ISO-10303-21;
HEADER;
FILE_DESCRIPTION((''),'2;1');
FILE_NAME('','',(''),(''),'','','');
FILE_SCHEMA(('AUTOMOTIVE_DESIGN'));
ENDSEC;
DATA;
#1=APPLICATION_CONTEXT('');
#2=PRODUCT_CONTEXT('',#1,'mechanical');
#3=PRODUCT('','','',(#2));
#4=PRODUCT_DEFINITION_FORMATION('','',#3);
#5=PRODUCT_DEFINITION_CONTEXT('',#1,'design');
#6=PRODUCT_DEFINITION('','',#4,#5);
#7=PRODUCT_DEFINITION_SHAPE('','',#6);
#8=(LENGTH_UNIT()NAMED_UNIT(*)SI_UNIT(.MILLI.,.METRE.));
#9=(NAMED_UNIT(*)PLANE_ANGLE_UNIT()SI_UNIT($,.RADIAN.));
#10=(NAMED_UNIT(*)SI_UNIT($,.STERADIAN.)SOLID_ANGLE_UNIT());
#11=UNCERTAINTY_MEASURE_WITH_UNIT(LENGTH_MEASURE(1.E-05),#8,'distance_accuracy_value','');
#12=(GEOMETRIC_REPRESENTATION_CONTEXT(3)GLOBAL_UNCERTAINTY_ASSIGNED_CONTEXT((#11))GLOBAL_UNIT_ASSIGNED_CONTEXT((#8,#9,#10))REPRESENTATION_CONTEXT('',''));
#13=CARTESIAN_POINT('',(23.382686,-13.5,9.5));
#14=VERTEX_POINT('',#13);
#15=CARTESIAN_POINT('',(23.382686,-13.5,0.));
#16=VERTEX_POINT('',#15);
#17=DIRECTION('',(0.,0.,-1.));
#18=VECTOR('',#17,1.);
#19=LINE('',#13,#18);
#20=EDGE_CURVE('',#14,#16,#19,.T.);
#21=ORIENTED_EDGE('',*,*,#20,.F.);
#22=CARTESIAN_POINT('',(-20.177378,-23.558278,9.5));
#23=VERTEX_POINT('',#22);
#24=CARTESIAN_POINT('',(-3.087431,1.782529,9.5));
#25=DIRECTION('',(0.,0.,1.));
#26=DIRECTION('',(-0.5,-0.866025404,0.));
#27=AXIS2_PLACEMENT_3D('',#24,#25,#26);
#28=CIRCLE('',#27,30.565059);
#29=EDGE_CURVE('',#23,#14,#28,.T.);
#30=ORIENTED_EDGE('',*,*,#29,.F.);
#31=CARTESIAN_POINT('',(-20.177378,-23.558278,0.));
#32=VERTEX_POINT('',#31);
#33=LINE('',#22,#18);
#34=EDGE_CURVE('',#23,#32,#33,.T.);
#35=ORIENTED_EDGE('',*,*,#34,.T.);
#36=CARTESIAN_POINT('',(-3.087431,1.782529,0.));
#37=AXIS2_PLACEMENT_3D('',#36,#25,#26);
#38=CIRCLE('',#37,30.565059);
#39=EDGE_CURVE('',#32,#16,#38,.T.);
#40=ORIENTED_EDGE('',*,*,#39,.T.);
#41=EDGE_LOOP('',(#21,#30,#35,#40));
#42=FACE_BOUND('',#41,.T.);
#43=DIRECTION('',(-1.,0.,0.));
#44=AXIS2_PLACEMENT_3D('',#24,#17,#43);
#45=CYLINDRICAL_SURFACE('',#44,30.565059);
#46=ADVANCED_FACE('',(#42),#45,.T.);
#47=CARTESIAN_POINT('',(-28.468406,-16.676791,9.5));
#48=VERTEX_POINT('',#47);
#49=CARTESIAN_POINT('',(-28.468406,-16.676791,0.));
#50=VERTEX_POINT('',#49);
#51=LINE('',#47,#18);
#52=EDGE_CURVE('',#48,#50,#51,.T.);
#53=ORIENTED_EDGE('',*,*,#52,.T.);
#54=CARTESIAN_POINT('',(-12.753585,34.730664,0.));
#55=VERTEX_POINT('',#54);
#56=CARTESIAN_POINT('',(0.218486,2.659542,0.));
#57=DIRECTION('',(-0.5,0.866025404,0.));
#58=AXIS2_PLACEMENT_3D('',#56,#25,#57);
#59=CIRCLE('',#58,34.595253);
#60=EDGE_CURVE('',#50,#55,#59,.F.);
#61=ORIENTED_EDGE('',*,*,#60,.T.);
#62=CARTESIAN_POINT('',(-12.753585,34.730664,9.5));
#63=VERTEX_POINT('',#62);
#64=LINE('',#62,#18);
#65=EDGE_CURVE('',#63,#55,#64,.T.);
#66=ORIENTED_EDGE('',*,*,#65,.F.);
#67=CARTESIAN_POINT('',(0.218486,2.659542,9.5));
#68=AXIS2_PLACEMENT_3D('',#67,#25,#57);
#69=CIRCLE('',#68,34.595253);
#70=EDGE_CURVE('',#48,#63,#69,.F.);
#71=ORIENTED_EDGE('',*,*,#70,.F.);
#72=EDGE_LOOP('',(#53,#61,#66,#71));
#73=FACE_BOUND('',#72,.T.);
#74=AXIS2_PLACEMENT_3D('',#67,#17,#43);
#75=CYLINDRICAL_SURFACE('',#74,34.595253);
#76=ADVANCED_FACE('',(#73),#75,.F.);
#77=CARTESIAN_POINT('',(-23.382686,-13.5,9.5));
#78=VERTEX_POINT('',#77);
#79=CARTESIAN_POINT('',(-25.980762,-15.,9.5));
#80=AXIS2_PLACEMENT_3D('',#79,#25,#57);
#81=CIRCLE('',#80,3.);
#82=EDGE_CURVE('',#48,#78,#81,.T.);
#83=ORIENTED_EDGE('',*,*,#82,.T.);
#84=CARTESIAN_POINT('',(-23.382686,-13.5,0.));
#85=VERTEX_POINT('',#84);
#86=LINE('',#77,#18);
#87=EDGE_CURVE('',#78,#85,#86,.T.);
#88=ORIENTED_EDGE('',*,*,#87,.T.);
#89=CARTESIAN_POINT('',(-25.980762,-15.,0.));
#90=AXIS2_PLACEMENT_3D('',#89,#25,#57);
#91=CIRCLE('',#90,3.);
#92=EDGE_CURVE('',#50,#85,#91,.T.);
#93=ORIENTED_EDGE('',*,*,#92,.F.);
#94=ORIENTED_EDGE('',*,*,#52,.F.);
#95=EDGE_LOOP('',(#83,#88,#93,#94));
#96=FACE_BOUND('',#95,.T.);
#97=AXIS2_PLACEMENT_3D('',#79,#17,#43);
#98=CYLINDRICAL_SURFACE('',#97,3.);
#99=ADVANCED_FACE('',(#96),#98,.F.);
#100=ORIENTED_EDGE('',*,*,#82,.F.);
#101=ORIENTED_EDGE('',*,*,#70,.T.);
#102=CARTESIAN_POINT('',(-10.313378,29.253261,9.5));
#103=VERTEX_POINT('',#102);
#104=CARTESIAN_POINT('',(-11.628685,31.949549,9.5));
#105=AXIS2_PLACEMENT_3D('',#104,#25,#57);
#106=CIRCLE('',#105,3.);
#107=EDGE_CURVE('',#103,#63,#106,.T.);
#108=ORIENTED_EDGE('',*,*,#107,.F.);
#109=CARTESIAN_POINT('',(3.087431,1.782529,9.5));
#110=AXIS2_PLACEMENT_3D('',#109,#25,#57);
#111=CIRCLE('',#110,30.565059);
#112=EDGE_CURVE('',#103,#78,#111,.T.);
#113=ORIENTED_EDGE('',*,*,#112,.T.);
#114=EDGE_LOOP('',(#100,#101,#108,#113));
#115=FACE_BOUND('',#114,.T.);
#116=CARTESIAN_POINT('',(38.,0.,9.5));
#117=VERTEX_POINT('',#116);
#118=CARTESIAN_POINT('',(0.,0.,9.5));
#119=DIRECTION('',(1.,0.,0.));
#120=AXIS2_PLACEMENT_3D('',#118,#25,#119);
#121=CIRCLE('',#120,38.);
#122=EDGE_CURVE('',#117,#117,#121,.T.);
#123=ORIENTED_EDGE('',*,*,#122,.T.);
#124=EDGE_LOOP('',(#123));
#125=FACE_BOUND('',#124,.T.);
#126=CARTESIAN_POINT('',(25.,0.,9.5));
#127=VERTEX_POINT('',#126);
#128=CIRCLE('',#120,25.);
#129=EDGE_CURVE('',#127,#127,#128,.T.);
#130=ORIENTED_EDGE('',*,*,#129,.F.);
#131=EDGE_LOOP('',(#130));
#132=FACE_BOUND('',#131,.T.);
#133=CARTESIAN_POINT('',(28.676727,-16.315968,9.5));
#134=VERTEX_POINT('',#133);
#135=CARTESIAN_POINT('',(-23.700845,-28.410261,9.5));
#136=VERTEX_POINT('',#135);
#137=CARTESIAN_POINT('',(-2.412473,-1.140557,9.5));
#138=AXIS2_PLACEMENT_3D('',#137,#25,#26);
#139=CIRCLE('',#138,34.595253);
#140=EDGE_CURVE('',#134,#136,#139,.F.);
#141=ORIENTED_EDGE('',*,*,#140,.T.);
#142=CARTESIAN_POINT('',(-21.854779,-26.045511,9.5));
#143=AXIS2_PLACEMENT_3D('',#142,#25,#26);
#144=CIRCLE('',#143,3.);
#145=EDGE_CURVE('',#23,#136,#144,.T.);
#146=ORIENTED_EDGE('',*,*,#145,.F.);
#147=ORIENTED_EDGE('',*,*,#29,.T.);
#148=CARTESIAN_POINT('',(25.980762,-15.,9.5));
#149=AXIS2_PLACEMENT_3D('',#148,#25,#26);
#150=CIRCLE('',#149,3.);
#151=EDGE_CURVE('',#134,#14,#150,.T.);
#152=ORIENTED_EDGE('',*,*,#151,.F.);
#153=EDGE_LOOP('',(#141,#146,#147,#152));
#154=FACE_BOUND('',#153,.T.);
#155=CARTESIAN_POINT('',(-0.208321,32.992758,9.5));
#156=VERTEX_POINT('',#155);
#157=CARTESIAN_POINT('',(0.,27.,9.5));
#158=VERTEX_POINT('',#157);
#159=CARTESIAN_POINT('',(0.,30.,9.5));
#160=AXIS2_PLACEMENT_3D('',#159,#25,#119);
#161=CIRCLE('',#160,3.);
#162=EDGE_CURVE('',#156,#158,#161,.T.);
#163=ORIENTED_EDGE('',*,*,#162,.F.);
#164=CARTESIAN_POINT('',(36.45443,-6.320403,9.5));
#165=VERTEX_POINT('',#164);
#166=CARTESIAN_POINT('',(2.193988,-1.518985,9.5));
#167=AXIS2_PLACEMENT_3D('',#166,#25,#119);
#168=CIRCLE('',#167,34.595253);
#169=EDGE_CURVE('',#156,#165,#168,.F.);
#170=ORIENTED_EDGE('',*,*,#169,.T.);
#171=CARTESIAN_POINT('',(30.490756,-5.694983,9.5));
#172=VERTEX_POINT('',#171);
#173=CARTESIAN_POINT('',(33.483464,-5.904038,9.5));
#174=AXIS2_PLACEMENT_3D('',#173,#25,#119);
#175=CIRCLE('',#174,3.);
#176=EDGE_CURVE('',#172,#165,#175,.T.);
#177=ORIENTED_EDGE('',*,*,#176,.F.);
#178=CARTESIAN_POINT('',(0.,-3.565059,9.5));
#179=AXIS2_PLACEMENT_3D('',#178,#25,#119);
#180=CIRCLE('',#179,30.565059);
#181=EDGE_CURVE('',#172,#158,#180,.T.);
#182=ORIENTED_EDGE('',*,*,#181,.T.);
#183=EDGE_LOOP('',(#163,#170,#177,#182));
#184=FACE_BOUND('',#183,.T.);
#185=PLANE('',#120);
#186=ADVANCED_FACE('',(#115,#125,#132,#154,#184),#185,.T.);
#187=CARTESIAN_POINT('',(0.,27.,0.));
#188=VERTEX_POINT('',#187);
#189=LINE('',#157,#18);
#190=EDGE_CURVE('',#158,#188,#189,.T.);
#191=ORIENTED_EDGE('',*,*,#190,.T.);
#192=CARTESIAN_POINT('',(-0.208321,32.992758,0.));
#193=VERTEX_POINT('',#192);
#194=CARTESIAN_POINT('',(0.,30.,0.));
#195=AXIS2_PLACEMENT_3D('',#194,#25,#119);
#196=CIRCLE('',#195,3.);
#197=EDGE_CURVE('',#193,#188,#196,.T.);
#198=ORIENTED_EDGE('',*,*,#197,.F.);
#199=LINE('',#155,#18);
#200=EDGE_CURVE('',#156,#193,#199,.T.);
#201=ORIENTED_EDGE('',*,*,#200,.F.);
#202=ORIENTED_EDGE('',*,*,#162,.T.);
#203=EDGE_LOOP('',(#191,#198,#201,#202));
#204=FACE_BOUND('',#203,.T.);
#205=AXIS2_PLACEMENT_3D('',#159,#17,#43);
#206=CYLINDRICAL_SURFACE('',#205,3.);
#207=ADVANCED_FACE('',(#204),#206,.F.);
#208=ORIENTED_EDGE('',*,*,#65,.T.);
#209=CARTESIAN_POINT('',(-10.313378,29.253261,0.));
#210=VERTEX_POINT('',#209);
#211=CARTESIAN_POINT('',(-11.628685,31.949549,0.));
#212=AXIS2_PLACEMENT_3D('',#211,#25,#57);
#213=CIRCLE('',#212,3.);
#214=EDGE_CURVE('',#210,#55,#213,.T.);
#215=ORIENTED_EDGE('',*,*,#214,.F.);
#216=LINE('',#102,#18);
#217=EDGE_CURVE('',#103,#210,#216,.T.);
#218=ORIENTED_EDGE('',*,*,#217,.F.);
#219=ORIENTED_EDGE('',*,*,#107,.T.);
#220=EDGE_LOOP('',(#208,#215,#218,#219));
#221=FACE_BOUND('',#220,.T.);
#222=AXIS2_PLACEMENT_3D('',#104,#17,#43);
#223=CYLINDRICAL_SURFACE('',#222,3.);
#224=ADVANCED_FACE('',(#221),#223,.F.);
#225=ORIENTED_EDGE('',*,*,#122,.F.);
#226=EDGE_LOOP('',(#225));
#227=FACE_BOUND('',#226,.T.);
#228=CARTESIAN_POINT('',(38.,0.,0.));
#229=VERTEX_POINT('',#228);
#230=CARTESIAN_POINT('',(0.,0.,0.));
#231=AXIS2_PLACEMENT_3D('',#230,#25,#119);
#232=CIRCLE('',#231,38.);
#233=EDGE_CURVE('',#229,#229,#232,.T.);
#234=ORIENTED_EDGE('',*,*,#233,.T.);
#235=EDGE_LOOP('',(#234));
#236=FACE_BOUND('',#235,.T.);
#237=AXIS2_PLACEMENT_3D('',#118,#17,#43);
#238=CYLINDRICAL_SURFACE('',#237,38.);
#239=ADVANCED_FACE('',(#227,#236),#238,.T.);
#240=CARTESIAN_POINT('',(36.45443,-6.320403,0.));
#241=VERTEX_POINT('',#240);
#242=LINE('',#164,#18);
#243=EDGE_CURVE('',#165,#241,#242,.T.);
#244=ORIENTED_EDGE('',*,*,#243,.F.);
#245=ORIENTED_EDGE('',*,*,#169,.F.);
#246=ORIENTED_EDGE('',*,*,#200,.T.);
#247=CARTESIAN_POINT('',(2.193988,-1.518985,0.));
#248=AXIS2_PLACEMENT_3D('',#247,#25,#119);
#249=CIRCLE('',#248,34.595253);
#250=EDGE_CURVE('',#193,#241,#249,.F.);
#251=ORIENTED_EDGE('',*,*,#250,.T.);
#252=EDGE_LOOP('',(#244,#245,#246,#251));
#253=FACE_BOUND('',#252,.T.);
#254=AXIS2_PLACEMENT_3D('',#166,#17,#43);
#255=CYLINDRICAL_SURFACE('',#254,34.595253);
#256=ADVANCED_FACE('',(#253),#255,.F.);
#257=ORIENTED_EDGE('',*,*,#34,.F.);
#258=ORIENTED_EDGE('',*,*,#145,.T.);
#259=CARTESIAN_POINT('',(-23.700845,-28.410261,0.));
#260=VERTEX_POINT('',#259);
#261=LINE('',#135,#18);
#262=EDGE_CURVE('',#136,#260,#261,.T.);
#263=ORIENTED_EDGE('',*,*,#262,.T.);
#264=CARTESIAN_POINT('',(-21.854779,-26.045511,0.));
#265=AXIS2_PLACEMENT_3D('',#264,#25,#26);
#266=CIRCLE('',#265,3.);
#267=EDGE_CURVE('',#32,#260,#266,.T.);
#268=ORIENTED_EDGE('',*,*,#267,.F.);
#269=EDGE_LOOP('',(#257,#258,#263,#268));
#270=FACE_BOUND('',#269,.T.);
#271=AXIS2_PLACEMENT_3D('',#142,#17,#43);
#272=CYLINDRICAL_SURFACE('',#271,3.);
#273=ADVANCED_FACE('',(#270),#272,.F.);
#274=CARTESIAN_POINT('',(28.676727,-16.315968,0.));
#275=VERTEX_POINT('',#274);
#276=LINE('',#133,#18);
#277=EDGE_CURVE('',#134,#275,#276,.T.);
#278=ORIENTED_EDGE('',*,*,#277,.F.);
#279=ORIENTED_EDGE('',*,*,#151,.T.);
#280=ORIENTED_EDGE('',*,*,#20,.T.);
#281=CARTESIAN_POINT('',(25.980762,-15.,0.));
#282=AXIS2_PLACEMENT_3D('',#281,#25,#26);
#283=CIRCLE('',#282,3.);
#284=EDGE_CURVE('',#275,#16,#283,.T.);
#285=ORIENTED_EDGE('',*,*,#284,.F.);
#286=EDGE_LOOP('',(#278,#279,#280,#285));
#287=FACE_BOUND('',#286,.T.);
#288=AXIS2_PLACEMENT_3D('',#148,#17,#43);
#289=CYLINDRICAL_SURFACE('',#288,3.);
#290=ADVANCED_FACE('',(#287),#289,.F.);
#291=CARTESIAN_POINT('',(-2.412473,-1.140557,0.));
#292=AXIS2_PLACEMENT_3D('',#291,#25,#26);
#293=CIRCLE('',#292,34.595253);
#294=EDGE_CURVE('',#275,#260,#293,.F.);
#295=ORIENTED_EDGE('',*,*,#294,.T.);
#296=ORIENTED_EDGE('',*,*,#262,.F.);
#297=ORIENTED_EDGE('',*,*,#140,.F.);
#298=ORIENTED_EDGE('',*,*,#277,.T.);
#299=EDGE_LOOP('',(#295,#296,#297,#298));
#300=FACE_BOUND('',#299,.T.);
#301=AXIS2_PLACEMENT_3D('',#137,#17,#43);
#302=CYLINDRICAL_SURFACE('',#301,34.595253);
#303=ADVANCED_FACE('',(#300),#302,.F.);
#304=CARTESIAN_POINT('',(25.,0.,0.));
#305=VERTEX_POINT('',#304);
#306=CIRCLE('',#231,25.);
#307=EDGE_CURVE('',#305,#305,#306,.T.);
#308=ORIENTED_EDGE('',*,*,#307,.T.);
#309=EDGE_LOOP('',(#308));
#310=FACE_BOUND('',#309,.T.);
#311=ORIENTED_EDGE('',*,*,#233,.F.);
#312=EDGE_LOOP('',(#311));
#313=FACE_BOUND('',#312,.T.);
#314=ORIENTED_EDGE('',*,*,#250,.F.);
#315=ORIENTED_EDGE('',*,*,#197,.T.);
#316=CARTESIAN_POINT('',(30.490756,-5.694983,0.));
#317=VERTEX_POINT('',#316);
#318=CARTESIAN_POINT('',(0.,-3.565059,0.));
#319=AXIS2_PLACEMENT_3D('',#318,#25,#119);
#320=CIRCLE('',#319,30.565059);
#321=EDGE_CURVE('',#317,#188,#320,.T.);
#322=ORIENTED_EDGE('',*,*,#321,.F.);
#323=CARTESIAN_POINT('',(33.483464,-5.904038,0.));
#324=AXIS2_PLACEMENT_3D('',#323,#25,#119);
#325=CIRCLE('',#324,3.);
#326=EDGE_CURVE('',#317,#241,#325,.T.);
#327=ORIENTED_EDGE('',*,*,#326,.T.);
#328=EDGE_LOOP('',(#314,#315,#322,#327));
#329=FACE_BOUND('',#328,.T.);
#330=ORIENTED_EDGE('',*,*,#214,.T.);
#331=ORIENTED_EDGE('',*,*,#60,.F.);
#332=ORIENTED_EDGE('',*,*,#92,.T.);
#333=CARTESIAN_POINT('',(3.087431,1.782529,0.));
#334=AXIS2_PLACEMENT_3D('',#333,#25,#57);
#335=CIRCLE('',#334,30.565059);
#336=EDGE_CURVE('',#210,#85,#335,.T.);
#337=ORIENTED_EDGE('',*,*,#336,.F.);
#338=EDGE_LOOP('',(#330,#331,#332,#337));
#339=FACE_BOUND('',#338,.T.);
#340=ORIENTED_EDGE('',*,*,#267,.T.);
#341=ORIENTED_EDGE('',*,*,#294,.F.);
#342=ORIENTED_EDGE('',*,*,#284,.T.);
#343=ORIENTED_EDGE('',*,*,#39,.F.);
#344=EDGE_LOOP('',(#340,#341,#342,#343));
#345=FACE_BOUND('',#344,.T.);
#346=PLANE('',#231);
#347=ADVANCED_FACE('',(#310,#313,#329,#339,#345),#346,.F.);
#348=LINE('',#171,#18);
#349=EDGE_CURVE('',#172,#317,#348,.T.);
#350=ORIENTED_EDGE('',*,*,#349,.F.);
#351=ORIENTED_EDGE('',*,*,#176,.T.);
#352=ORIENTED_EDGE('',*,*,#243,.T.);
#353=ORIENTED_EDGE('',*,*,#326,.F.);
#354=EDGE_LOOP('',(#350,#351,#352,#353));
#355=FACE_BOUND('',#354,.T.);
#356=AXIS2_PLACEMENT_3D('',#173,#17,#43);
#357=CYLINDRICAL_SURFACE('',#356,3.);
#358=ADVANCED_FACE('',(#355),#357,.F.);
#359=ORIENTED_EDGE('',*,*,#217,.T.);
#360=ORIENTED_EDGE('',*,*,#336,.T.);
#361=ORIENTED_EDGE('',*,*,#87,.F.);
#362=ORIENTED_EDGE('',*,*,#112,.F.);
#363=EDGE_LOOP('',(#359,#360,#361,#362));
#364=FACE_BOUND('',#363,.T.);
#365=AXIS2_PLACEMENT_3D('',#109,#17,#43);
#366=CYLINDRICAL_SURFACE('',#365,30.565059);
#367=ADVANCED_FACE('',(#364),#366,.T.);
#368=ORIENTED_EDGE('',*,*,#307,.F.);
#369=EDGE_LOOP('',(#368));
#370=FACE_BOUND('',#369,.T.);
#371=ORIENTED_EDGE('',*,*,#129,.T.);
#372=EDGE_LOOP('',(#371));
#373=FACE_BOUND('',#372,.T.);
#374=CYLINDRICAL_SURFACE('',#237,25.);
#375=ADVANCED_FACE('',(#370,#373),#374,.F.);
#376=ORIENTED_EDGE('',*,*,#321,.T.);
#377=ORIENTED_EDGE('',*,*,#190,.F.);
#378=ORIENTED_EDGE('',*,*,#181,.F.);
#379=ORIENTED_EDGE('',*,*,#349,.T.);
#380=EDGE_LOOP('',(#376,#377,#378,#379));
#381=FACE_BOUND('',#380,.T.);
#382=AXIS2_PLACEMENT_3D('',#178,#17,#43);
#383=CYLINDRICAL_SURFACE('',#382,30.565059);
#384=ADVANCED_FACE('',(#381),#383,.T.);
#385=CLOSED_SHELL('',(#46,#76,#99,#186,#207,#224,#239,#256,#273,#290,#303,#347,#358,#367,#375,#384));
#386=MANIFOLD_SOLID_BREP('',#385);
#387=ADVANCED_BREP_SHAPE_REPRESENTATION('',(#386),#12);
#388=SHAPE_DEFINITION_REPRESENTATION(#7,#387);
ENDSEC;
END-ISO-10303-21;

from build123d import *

# Parameters (mm, degrees)
SKETCH2_R           = 38
SKETCH2_R_2         = 25
BOSS_EXTRUDE2_DEPTH = 9.5
CUT_EXTRUDE1_DEPTH  = 9.5
CIRPATTERN1_COUNT   = 3


with BuildPart() as part:
    # Sketch2 → Boss-Extrude2 (new body)
    with BuildSketch(Plane.XY):
        Circle(SKETCH2_R)
        Circle(SKETCH2_R_2, mode=Mode.SUBTRACT)
    extrude(amount=BOSS_EXTRUDE2_DEPTH)

    # Sketch1 → Cut-Extrude1 (cut)
    with BuildSketch(Plane.XY):
        with BuildLine():
            ThreePointArc((-0.208321274, 32.992758301), (-2.998189029, 29.895776448), (0, 27))
            ThreePointArc((0, 27), (22.353121455, 17.28106259), (30.490756455, -5.694983191))
            ThreePointArc((30.490756455, -5.694983191), (33.17056476, -8.887675806), (36.454429797, -6.320403108))
            ThreePointArc((36.454429797, -6.320403108), (27.494508002, 22.075827712), (-0.208321274, 32.992758301))
        make_face()
    cut_extrude1 = extrude(amount=CUT_EXTRUDE1_DEPTH, mode=Mode.SUBTRACT)

    # CirPattern1: Cut-Extrude1 ×3 about axis
    cirpattern1_axis = Axis((0, 0, 9.5), (0, 0, -1))
    for i in range(1, CIRPATTERN1_COUNT):
        add(cut_extrude1.rotate(cirpattern1_axis, i * 360 / CIRPATTERN1_COUNT), mode=Mode.SUBTRACT)


solid = part.part
